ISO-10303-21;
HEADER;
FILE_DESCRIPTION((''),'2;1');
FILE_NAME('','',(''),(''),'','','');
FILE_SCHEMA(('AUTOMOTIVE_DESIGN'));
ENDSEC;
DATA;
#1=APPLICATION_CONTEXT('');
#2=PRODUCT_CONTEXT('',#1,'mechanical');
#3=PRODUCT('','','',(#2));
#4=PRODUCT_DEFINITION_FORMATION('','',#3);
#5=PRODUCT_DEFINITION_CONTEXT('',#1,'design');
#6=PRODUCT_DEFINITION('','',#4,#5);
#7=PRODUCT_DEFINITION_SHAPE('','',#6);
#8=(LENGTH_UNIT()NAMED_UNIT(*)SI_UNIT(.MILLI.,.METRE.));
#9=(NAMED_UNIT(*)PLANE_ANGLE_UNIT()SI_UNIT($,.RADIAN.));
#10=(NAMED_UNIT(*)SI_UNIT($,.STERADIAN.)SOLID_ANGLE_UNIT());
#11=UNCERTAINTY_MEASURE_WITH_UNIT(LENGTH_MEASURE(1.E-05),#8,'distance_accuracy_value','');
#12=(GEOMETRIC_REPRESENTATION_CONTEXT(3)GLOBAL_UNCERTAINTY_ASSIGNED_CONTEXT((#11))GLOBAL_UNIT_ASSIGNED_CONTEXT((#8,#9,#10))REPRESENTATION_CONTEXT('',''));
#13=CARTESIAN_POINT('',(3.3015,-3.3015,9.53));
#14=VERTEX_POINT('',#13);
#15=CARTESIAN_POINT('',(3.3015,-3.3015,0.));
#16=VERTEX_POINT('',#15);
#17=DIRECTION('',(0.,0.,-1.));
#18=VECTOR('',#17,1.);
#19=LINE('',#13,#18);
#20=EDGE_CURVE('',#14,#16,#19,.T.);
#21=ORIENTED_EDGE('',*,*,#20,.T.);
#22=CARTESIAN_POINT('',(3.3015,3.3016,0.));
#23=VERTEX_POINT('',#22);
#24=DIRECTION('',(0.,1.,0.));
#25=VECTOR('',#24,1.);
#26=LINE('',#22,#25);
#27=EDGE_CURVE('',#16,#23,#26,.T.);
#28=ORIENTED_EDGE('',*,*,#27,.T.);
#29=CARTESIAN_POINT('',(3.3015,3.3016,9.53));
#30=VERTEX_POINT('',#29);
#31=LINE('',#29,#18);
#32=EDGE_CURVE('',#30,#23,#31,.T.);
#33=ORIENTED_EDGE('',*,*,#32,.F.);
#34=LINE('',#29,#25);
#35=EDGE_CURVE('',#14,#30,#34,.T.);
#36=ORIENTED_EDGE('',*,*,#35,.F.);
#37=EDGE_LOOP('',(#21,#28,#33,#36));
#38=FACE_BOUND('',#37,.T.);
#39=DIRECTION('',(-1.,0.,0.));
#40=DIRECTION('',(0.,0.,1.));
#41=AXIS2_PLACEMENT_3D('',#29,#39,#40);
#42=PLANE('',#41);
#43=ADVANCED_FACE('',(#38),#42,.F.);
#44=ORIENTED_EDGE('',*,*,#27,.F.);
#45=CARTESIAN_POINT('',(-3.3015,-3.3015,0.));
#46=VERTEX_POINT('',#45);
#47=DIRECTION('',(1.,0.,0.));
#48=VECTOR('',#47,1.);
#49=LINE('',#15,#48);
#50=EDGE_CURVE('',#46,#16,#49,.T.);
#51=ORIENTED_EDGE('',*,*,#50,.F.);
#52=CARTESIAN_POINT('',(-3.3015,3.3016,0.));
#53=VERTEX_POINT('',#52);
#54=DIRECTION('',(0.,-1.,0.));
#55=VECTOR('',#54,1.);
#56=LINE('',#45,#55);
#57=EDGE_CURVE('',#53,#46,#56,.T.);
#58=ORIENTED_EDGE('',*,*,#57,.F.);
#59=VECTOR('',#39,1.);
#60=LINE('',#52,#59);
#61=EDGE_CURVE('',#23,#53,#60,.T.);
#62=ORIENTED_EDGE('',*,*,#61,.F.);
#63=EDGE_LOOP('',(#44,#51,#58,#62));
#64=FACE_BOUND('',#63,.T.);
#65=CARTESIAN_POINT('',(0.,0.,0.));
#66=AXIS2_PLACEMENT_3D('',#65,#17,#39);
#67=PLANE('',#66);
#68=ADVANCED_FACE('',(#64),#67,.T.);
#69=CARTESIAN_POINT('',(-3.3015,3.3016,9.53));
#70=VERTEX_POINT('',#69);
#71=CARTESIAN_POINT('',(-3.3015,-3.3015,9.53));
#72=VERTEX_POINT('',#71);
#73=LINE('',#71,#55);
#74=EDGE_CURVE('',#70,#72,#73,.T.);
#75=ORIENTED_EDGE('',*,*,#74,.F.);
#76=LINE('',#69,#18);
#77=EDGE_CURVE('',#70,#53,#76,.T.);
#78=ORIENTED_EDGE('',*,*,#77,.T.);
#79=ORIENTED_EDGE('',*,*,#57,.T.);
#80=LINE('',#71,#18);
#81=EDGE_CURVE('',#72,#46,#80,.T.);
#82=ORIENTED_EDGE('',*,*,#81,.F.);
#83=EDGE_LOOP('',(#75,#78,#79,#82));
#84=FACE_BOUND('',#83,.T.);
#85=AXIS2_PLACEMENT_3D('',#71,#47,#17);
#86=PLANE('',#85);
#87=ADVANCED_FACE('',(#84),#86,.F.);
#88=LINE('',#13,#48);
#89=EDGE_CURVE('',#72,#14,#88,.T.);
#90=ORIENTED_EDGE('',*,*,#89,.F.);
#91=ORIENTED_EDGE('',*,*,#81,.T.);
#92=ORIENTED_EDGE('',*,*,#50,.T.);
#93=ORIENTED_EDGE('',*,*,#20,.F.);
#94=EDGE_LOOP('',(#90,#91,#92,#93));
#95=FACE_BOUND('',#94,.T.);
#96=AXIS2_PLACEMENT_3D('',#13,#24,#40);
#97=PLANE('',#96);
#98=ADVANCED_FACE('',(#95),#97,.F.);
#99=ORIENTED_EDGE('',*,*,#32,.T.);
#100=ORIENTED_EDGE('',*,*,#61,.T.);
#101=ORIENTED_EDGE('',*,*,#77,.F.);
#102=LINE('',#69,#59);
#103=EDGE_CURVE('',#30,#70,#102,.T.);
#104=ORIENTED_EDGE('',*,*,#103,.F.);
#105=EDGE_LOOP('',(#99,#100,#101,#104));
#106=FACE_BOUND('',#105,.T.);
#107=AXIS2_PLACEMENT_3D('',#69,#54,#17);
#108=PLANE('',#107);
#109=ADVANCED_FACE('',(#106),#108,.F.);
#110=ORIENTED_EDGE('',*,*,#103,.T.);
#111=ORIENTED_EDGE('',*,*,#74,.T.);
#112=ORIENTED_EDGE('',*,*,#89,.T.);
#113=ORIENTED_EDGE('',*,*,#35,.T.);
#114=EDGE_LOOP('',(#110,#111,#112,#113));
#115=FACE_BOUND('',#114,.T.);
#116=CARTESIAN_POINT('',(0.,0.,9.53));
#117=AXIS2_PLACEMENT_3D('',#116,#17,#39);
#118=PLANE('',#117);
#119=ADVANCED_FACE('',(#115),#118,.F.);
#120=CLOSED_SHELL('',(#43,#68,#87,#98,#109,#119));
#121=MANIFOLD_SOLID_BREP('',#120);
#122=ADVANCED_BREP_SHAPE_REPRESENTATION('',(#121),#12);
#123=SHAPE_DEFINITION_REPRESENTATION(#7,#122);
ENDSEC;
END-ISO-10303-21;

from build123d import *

# Parameters (mm, degrees)
SKETCH1_W               = 6.603
SKETCH1_H               = 6.6031
COMPONENT_OUTLINE_DEPTH = 9.53


with BuildPart() as part:
    # Sketch1 → Component_Outline (new body)
    with BuildSketch(Plane.XY):
        with Locations((0, 5e-05)):
            Rectangle(SKETCH1_W, SKETCH1_H)
    extrude(amount=COMPONENT_OUTLINE_DEPTH)


solid = part.part
